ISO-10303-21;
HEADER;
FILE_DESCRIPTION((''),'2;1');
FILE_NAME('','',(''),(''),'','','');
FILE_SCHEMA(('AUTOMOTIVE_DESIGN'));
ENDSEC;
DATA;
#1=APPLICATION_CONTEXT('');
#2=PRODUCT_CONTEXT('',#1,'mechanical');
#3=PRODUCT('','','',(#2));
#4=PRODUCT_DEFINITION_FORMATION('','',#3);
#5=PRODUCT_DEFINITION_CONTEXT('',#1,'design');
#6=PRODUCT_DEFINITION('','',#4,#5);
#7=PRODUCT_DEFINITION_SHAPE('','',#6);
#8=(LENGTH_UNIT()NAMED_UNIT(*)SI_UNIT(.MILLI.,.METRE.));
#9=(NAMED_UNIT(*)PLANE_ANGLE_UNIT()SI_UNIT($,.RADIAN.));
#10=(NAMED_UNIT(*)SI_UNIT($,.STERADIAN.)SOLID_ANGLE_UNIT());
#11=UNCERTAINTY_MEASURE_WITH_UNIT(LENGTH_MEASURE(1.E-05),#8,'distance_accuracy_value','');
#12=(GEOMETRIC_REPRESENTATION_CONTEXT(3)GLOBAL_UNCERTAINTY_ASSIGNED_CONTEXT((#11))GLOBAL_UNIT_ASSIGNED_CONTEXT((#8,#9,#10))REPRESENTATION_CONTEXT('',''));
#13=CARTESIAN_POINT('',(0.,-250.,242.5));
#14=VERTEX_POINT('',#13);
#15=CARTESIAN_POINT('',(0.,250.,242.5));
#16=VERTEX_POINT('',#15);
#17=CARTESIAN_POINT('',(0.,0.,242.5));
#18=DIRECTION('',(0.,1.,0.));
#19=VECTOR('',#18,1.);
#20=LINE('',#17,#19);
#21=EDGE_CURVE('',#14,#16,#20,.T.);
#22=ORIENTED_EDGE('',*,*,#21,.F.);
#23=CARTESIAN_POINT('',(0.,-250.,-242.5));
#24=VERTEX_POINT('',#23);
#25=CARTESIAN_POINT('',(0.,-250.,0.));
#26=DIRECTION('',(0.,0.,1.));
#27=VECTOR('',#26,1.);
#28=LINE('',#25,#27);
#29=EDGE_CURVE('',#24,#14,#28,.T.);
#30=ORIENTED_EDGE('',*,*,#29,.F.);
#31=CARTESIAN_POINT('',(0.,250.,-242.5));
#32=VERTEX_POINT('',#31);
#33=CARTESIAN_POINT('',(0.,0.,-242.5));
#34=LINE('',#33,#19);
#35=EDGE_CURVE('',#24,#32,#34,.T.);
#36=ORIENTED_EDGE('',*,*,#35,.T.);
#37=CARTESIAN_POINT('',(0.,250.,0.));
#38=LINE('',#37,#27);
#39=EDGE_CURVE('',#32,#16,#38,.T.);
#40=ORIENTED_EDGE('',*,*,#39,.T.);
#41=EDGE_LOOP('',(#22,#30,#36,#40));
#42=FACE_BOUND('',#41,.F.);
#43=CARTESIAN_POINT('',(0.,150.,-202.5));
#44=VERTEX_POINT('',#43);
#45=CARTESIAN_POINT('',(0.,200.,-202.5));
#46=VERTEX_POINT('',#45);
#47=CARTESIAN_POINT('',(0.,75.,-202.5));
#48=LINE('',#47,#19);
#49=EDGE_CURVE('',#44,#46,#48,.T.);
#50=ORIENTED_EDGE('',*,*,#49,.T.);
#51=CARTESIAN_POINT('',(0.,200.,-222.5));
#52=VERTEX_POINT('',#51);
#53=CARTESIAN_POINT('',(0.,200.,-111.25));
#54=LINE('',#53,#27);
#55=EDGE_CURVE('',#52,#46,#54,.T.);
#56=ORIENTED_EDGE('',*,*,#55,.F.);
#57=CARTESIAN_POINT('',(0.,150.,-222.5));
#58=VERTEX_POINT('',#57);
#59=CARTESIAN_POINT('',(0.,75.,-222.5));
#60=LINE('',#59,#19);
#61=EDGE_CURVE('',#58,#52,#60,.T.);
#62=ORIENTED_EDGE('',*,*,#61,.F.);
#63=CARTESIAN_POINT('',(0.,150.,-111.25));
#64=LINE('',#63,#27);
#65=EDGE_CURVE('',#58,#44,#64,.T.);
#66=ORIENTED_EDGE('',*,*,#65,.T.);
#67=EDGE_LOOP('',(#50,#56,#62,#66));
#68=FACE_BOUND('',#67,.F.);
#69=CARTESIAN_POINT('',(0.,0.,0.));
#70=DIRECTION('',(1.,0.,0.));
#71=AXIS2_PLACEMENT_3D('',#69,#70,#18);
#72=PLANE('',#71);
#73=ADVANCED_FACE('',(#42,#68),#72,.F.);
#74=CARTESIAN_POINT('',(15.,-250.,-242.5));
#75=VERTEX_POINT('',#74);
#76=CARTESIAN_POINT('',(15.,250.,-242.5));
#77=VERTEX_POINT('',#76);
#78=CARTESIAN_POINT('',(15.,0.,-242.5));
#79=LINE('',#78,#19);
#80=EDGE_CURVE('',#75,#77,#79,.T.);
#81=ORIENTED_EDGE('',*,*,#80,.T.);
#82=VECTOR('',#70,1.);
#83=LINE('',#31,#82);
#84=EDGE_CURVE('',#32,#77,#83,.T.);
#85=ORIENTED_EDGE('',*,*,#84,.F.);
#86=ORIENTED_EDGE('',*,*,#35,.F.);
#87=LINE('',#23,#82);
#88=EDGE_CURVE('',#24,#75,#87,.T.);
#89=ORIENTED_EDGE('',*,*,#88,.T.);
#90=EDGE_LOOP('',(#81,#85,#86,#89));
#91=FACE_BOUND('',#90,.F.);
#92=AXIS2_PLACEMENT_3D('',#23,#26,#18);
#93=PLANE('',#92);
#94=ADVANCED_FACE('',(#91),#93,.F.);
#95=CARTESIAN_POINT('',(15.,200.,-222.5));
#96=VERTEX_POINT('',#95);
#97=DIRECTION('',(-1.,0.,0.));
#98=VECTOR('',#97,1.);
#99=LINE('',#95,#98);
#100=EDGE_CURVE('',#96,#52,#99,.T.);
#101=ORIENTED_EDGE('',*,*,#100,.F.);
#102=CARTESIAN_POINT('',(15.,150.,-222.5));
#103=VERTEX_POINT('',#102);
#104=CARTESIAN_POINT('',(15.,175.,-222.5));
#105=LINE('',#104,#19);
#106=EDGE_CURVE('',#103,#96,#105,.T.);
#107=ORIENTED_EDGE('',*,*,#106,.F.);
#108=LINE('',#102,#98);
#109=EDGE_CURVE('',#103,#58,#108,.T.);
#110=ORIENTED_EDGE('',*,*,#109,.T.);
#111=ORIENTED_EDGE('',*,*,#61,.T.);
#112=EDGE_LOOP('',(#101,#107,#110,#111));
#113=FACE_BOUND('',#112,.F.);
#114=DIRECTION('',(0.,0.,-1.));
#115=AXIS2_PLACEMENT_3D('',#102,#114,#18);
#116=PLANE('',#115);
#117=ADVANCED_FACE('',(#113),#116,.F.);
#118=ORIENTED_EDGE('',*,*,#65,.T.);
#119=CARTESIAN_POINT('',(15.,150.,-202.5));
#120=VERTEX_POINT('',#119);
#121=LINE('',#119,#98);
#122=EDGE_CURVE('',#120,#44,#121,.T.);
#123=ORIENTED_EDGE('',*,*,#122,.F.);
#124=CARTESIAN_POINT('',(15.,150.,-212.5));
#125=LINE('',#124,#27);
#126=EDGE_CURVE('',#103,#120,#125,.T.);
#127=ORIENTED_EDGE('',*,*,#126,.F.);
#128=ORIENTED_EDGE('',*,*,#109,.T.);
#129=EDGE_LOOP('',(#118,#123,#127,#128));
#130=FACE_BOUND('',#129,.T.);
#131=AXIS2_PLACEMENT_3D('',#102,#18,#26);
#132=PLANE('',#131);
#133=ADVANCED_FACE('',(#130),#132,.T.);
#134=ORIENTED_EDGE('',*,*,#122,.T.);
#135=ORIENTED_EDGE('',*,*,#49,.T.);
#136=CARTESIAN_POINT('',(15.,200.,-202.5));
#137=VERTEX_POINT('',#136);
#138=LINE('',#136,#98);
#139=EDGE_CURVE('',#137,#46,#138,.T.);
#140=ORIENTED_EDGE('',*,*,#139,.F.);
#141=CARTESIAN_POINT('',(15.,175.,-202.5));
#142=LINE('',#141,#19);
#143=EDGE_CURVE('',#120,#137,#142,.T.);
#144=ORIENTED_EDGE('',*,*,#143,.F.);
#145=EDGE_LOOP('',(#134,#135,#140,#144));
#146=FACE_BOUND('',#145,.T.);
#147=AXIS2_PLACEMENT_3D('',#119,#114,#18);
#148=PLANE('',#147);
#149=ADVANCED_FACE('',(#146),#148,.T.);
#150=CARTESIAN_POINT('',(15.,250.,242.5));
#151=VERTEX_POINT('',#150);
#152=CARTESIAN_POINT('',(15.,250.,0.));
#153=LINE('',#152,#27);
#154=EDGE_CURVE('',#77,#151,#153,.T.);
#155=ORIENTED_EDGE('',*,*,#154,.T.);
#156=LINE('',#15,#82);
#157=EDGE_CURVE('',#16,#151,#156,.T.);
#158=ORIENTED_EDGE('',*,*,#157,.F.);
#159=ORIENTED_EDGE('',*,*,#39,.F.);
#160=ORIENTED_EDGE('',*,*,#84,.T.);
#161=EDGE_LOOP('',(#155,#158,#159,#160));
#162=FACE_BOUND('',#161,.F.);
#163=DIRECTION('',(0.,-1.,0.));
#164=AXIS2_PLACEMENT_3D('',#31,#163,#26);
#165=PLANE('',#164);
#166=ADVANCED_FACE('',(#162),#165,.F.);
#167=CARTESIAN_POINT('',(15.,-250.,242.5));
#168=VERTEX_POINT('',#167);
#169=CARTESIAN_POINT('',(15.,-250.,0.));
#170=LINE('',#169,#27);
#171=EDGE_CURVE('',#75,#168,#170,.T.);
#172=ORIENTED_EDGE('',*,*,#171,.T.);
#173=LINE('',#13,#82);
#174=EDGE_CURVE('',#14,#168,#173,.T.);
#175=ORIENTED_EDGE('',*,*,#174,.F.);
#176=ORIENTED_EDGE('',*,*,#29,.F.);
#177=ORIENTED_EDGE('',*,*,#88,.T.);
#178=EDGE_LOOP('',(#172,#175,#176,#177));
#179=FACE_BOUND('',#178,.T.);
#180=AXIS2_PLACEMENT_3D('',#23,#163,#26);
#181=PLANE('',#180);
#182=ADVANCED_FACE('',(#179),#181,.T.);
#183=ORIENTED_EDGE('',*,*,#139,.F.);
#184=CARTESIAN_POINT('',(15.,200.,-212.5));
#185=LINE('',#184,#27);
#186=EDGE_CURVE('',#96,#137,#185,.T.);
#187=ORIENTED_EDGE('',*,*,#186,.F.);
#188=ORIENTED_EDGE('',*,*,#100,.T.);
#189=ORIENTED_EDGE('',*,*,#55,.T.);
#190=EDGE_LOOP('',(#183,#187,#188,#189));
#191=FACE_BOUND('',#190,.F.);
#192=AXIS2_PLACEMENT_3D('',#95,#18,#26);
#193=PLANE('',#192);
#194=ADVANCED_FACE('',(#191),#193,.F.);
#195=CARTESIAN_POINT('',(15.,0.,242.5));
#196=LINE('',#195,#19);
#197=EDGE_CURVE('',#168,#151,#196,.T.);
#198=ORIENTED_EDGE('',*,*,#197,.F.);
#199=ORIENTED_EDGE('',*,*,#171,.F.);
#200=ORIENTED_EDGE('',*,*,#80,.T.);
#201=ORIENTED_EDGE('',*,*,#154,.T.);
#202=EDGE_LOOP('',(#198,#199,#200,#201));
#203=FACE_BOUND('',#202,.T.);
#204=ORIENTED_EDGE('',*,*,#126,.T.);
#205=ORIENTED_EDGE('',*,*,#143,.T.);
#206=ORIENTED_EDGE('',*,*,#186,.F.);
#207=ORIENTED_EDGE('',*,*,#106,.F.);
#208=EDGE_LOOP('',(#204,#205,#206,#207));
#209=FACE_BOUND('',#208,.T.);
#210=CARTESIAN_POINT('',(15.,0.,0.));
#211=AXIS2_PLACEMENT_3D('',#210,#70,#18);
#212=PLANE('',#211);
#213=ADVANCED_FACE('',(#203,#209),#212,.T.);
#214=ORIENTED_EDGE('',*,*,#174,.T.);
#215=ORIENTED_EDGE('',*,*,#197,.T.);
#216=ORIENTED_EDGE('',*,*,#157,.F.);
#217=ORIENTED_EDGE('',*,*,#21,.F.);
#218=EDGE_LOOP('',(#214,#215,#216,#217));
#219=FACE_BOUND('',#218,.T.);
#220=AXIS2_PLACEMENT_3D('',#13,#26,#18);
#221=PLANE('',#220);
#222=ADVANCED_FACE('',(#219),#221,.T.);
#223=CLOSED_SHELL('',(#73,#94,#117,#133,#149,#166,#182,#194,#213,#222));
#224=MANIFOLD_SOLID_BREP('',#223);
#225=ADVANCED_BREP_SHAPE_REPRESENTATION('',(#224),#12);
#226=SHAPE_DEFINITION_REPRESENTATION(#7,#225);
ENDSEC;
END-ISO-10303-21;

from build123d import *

# Parameters (mm, degrees)
F0_W     = 500
F0_H     = 485
F1_DEPTH = 15
F2_W     = 50
F2_H     = 20
F3_DEPTH = 15.001


with BuildPart() as f1:
    # F0 (on Right) → F1 (new body)
    with BuildSketch(Plane.YZ):
        Rectangle(F0_W, F0_H)
    extrude(amount=F1_DEPTH)

    # F2 (on face) → F3 (cut, through all)
    with BuildSketch(Plane.YZ.offset(15)):
        with Locations((175, -212.5)):
            Rectangle(F2_W, F2_H)
    extrude(amount=-F3_DEPTH, mode=Mode.SUBTRACT)


solid = f1.part
